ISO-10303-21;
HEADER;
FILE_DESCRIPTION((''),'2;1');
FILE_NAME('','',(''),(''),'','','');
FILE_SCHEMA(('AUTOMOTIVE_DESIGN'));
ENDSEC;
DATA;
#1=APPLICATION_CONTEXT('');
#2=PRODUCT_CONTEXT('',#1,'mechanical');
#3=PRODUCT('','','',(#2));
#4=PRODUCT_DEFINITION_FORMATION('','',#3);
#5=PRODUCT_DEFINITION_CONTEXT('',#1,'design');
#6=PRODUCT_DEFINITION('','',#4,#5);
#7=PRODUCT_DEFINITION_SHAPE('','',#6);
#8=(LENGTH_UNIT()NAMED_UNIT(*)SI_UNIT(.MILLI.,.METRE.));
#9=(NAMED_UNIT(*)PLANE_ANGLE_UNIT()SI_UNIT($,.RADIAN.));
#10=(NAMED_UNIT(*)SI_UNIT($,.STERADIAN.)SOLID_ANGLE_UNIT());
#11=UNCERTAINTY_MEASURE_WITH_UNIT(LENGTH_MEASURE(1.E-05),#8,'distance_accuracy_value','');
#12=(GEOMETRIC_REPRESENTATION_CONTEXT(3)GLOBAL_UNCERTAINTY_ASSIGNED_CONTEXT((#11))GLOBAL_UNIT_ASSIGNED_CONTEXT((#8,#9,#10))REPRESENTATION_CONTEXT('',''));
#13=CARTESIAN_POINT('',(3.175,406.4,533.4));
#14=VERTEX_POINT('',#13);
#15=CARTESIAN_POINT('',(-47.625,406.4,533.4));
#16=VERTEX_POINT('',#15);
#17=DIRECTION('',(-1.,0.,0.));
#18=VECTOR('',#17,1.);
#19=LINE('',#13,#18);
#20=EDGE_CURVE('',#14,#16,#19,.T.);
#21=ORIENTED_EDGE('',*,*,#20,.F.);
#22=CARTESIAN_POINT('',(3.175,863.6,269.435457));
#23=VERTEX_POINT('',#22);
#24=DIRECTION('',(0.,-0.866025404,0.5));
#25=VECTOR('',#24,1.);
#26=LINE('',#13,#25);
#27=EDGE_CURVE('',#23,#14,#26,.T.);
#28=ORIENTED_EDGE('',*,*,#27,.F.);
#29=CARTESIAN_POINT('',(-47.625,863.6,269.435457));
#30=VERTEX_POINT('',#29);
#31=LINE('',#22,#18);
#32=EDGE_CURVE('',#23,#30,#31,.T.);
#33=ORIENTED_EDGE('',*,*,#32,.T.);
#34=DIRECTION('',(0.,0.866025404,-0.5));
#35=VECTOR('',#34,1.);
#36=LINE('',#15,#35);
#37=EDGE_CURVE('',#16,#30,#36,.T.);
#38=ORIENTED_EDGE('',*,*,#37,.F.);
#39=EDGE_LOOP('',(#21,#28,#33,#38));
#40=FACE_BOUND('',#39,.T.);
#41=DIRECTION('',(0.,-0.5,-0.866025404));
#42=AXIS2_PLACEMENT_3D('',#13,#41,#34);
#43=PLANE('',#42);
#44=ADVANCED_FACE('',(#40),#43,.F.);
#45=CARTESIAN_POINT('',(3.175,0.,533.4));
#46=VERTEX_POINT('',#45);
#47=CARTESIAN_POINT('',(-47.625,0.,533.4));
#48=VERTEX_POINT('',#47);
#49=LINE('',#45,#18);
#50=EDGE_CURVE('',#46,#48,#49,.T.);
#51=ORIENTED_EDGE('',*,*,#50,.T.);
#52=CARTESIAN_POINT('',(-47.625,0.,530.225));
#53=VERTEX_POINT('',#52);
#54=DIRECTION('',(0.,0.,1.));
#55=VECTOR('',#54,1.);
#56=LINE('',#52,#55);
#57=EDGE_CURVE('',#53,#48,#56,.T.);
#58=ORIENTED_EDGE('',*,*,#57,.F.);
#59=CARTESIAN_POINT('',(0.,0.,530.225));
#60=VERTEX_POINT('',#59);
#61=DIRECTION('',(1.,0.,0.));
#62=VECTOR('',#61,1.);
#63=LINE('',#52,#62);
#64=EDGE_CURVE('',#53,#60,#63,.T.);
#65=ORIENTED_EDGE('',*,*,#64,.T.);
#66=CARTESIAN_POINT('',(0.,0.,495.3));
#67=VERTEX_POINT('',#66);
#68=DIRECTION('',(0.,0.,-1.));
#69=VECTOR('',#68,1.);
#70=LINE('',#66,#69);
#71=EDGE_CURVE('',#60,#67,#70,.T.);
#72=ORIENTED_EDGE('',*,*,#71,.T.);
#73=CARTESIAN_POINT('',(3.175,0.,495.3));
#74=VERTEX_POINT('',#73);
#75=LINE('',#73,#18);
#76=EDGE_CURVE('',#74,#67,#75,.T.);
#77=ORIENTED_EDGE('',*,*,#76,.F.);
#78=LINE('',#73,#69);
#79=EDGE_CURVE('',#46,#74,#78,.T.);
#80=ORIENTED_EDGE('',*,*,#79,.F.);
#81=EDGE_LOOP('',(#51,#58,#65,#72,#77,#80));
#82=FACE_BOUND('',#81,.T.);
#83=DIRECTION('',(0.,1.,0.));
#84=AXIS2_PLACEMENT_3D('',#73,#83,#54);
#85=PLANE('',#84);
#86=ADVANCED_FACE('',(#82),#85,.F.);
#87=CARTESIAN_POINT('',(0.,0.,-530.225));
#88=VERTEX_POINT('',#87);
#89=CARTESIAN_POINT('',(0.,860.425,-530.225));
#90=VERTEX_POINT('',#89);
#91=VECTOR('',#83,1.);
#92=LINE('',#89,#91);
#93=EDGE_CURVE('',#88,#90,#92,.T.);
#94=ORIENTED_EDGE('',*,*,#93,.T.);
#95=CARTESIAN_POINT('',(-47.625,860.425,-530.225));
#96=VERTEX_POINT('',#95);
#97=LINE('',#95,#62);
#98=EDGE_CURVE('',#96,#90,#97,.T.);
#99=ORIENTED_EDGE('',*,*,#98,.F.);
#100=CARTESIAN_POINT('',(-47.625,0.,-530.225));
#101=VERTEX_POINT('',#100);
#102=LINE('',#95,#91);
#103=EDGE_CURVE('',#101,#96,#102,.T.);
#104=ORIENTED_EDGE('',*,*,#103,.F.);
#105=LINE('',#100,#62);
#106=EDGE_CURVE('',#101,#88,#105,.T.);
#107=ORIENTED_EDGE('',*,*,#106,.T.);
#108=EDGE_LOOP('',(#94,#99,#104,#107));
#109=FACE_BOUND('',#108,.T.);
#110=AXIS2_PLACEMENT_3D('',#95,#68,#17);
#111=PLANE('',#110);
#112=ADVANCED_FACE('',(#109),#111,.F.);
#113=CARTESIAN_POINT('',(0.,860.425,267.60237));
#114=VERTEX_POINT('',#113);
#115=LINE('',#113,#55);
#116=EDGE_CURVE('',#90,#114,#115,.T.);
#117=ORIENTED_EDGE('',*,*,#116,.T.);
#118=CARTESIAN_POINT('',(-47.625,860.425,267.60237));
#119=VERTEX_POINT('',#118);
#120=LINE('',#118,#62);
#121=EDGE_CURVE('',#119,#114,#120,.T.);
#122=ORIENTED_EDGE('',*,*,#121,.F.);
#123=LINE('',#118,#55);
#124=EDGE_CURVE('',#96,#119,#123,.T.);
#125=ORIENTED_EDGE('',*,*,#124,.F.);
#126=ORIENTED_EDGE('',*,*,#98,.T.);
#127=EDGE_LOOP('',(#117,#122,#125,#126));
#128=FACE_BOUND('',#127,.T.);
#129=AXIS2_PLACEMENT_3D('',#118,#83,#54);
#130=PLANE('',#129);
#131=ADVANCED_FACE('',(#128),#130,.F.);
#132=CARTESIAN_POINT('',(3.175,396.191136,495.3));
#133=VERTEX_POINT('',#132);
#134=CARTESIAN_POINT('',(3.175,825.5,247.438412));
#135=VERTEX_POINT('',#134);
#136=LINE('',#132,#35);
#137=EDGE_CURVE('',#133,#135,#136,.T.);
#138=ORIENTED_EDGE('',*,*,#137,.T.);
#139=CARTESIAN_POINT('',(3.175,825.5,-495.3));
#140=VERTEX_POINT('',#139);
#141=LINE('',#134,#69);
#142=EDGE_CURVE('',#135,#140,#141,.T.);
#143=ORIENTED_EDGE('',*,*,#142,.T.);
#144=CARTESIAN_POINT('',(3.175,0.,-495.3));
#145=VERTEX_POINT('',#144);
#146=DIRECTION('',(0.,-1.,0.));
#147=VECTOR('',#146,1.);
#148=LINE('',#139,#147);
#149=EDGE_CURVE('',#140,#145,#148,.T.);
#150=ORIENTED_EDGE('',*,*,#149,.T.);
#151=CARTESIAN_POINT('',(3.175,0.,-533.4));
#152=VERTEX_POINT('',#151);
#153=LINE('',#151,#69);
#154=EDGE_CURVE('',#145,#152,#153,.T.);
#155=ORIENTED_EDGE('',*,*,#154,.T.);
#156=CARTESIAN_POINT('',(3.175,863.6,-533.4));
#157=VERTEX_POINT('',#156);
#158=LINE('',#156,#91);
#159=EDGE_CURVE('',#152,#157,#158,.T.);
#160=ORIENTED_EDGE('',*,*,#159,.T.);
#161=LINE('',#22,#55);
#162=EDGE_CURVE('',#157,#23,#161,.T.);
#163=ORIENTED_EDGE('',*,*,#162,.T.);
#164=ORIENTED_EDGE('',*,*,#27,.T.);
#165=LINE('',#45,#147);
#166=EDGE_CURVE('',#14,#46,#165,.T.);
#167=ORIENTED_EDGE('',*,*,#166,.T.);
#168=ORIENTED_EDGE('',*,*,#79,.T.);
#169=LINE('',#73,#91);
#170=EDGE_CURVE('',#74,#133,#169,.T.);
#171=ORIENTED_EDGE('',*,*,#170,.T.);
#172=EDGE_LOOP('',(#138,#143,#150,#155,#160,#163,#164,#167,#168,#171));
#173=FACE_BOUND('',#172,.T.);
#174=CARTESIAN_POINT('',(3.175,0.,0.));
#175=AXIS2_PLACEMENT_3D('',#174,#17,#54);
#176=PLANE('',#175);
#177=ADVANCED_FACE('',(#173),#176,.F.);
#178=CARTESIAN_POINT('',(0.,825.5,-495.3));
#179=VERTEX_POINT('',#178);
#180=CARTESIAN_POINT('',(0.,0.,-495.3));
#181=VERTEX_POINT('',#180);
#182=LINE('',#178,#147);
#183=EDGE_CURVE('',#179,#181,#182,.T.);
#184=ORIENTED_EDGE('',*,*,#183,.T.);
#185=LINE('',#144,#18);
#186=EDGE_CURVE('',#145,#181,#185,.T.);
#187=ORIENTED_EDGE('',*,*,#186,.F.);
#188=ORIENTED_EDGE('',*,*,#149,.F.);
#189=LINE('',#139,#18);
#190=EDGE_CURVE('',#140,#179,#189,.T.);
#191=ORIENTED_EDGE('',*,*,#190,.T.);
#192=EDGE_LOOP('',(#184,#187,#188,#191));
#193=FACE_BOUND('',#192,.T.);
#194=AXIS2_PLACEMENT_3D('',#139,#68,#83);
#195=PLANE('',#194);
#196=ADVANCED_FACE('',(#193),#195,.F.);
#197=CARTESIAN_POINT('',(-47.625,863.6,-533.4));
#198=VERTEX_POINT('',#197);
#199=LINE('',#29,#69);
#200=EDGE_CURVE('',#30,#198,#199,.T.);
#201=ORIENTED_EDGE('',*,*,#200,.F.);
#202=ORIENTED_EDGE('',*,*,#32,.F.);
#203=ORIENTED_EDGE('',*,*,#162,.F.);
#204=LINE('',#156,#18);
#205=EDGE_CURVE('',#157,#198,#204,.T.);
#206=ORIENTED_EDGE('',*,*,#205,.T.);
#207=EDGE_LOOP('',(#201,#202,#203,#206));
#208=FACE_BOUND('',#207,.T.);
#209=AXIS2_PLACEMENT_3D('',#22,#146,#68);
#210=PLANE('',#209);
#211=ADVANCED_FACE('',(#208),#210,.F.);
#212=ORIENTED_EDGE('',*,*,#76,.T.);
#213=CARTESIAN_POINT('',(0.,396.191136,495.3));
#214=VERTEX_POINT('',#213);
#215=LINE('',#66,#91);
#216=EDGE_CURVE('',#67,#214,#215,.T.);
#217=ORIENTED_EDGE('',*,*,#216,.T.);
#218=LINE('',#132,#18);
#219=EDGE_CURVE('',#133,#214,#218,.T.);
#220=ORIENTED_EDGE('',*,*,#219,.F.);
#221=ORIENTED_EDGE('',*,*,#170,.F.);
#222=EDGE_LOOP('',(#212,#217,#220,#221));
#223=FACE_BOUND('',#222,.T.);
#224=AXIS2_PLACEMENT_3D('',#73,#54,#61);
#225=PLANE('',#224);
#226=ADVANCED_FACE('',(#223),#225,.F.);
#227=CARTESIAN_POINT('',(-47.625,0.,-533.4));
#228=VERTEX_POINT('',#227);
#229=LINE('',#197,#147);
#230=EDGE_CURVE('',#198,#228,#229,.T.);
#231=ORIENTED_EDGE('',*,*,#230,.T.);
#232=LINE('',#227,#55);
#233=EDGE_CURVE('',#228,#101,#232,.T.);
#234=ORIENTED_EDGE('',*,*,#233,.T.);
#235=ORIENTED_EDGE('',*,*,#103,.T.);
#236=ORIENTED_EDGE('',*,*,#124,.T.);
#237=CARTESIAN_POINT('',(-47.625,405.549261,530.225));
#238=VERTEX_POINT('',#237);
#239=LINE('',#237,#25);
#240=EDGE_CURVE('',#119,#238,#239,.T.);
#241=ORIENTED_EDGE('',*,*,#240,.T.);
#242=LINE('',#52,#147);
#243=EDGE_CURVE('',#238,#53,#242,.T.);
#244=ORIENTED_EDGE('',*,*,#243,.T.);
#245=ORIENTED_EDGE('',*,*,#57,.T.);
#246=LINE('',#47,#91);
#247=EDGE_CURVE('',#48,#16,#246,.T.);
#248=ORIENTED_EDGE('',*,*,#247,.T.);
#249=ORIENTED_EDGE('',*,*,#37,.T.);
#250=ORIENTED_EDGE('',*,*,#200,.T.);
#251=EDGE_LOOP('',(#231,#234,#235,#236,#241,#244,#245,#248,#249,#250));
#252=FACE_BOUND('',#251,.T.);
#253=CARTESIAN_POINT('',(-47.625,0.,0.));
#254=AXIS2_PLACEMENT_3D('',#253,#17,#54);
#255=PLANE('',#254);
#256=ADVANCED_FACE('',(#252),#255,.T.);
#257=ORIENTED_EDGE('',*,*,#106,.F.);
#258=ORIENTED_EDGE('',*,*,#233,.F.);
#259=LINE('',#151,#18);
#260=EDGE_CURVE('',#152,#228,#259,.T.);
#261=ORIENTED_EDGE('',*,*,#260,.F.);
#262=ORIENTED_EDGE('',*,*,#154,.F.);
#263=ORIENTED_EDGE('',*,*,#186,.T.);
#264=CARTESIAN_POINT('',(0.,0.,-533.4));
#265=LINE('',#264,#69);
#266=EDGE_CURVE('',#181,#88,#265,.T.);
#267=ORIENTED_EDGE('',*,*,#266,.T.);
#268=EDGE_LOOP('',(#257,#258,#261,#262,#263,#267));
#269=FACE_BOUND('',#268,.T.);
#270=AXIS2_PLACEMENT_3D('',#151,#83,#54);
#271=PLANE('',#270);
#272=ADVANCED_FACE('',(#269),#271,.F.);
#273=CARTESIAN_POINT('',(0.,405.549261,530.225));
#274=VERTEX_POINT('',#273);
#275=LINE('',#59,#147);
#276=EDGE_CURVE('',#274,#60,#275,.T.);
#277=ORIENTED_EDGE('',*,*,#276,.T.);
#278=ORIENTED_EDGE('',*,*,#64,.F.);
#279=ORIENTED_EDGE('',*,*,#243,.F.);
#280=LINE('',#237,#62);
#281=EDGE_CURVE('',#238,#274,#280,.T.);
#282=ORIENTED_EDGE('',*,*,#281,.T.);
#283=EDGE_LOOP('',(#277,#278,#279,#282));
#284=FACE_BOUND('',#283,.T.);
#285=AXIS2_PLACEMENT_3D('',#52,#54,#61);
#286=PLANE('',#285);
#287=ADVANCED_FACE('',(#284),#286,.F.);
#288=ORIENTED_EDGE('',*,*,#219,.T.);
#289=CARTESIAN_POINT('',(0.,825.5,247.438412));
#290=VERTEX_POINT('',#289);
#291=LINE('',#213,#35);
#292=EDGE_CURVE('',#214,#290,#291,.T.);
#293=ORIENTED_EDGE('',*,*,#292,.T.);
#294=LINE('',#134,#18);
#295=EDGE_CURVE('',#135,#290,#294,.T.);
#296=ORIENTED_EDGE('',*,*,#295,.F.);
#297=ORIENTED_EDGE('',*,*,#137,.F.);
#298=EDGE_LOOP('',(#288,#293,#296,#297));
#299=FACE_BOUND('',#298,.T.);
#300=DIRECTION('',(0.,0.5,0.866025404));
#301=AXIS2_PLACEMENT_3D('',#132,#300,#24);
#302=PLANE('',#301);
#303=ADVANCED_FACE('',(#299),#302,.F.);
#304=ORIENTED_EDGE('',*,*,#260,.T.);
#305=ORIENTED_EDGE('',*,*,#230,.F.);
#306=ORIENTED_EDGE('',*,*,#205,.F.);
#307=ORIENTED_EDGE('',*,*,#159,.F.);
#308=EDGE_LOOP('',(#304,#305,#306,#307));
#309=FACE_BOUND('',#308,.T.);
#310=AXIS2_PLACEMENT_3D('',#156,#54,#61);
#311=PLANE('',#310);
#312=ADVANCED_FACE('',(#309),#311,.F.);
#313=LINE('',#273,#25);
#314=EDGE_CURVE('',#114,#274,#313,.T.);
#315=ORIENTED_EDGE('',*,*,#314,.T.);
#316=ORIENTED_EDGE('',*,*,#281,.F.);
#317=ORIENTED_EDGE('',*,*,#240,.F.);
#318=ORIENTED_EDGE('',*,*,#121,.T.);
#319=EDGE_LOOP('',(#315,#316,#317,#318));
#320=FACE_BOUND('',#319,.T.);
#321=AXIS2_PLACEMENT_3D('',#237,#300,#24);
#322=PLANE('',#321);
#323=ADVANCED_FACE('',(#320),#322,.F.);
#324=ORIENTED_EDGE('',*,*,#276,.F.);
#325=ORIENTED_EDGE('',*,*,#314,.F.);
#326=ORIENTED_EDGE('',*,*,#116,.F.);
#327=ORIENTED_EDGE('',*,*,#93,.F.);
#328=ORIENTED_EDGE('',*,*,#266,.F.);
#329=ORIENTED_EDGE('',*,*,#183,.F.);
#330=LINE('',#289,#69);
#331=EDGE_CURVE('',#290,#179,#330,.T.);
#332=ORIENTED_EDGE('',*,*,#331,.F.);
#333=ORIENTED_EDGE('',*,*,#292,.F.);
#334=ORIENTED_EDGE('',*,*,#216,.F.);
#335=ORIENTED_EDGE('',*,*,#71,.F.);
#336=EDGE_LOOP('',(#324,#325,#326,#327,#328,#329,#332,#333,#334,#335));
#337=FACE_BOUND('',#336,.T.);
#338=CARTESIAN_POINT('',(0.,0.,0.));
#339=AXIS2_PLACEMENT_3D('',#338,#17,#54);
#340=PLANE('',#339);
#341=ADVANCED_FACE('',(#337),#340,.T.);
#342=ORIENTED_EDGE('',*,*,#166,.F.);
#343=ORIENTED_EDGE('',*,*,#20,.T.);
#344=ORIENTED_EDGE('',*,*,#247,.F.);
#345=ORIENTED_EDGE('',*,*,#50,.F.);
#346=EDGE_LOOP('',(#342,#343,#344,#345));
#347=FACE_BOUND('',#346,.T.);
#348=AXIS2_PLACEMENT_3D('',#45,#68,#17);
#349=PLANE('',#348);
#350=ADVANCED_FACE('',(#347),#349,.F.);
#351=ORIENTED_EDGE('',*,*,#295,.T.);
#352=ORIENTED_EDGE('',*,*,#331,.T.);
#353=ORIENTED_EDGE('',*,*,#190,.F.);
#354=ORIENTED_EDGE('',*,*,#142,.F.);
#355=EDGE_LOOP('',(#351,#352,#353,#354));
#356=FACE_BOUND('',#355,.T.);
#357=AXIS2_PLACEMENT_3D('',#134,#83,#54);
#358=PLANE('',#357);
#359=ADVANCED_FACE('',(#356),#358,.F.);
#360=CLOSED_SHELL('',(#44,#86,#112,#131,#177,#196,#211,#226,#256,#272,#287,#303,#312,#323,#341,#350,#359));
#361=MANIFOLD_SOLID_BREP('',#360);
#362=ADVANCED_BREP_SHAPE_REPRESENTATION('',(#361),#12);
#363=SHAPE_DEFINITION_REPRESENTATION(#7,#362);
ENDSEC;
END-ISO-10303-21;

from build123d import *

# Parameters (mm, degrees)
BOSS_EXTRUDE1_DEPTH = 3.175
BOSS_EXTRUDE2_DEPTH = 47.625


with BuildPart() as part:
    # Sketch1 → Boss-Extrude1 (new body)
    with BuildSketch(Plane(origin=(0, 0, 0), x_dir=(0, 0, -1), z_dir=(1, 0, 0))):
        Polygon((-495.3, 0), (-495.3, 396.191135768), (-247.43841167, 825.5), (495.3, 825.5), (495.3, 0), (533.4, 0), (533.4, 863.6), (-269.435456927, 863.6), (-533.4, 406.4), (-533.4, 0), align=None)
    extrude(amount=BOSS_EXTRUDE1_DEPTH)

    # Sketch2 → Boss-Extrude2 (add)
    with BuildSketch(Plane.ZY):
        Polygon((530.225, 0), (530.225, 405.549261314), (267.602369822, 860.425), (-530.225, 860.425), (-530.225, 0), (-533.4, 0), (-533.4, 863.6), (269.435456927, 863.6), (533.4, 406.4), (533.4, 0), align=None)
    extrude(amount=BOSS_EXTRUDE2_DEPTH)


solid = part.part
